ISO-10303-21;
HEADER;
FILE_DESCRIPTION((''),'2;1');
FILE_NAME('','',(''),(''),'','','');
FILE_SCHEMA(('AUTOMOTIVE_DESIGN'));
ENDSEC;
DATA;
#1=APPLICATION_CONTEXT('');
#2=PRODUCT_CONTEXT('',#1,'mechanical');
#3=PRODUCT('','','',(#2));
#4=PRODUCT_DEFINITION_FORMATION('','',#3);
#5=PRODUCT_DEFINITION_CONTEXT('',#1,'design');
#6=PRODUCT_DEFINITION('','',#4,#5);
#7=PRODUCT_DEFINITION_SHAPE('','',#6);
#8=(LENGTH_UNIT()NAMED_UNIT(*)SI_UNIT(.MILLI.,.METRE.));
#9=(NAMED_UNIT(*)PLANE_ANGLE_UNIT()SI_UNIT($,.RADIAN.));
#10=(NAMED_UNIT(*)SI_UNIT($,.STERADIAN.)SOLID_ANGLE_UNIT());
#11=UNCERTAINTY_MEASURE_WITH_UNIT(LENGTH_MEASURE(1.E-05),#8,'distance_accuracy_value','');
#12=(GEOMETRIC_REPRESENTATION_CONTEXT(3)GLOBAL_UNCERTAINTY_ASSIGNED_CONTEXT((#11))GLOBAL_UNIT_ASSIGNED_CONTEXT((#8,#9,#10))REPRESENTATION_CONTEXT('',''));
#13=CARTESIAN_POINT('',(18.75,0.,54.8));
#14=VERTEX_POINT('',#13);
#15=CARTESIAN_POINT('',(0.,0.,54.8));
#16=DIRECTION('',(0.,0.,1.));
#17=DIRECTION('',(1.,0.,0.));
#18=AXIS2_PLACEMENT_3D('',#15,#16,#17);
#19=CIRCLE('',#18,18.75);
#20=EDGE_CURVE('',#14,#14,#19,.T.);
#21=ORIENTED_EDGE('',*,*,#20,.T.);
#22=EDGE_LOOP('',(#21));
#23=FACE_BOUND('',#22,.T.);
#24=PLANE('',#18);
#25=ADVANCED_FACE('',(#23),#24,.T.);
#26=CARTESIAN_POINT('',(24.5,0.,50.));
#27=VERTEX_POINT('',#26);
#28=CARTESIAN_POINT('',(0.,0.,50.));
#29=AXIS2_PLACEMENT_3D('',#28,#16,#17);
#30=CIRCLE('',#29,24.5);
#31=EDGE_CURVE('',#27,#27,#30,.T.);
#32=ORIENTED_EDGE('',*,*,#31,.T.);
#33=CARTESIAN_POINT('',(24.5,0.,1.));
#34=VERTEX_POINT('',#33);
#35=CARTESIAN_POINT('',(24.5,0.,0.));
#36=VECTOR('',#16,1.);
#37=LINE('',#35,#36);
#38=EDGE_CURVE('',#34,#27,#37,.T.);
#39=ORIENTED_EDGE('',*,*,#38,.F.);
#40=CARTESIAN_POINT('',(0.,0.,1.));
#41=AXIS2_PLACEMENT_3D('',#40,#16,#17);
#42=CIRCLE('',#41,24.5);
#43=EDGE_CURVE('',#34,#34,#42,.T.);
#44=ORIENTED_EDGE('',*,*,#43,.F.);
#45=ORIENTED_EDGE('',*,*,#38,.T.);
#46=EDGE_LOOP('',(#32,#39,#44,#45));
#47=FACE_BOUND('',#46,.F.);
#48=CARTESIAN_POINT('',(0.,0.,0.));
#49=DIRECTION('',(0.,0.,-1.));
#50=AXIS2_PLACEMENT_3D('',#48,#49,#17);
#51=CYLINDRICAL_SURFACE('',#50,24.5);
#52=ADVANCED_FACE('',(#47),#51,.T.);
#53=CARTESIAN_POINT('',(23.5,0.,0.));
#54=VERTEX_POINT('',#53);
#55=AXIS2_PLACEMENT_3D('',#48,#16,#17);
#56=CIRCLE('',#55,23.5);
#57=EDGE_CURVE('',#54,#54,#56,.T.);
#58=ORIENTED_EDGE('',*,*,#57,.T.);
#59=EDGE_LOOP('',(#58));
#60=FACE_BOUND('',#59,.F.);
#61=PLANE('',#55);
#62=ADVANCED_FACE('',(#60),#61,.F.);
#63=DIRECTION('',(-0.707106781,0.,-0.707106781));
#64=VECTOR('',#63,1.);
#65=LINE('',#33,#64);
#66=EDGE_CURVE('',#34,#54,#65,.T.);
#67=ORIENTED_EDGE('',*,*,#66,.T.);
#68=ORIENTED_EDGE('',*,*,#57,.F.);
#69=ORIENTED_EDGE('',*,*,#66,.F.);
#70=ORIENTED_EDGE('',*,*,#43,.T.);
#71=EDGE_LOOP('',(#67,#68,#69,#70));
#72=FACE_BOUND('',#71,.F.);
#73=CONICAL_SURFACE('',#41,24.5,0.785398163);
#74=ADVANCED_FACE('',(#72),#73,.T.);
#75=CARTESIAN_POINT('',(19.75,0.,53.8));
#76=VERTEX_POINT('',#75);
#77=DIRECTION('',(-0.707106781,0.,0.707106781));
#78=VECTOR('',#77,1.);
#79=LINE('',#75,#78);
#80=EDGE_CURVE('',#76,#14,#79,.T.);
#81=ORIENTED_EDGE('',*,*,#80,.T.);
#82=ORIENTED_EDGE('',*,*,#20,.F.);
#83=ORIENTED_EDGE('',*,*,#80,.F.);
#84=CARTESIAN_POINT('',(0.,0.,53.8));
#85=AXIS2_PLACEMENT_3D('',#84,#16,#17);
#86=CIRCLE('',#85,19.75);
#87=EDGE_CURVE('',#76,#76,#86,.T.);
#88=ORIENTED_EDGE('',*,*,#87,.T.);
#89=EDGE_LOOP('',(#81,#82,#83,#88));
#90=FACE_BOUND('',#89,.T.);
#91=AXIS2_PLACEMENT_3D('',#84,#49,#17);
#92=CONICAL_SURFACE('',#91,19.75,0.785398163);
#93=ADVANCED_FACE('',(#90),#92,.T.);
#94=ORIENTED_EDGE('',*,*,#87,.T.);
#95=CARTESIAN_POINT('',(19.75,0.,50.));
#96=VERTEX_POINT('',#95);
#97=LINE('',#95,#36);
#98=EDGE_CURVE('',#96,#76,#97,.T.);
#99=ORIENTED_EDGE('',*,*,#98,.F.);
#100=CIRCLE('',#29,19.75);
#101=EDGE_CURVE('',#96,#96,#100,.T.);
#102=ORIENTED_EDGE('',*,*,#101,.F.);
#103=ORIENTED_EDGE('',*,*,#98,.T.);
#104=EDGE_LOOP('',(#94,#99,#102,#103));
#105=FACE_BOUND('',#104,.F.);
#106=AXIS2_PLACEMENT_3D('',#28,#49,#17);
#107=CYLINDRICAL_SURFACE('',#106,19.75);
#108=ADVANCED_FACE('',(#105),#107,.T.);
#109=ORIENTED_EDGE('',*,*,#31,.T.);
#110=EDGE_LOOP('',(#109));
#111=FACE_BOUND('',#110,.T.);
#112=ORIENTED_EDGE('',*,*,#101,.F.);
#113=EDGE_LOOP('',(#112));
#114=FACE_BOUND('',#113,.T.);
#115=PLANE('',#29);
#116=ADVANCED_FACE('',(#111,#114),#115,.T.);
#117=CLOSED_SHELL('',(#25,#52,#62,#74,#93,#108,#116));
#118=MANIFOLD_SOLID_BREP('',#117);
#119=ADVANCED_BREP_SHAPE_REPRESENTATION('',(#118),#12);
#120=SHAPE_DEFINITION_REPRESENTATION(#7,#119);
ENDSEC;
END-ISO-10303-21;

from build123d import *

# Parameters (mm, degrees)
F0_R     = 24.5
F1_DEPTH = 50
F2_R     = 19.75
F3_DEPTH = 4.8
F4_SIZE  = 1


with BuildPart() as f1:
    # F0 (on Top) → F1 (new body)
    with BuildSketch(Plane.XY):
        Circle(F0_R)
    extrude(amount=F1_DEPTH)

    # F2 (on face) → F3 (join)
    with BuildSketch(Plane.XY.offset(50)):
        Circle(F2_R)
    extrude(amount=F3_DEPTH)

    # F4
    f4_edges = [f1.edges().sort_by_distance(p)[0] for p in [
        (-24.5, 0, 0),
        (-19.75, 0, 54.8),
    ]]
    chamfer(f4_edges, length=F4_SIZE)


solid = f1.part
